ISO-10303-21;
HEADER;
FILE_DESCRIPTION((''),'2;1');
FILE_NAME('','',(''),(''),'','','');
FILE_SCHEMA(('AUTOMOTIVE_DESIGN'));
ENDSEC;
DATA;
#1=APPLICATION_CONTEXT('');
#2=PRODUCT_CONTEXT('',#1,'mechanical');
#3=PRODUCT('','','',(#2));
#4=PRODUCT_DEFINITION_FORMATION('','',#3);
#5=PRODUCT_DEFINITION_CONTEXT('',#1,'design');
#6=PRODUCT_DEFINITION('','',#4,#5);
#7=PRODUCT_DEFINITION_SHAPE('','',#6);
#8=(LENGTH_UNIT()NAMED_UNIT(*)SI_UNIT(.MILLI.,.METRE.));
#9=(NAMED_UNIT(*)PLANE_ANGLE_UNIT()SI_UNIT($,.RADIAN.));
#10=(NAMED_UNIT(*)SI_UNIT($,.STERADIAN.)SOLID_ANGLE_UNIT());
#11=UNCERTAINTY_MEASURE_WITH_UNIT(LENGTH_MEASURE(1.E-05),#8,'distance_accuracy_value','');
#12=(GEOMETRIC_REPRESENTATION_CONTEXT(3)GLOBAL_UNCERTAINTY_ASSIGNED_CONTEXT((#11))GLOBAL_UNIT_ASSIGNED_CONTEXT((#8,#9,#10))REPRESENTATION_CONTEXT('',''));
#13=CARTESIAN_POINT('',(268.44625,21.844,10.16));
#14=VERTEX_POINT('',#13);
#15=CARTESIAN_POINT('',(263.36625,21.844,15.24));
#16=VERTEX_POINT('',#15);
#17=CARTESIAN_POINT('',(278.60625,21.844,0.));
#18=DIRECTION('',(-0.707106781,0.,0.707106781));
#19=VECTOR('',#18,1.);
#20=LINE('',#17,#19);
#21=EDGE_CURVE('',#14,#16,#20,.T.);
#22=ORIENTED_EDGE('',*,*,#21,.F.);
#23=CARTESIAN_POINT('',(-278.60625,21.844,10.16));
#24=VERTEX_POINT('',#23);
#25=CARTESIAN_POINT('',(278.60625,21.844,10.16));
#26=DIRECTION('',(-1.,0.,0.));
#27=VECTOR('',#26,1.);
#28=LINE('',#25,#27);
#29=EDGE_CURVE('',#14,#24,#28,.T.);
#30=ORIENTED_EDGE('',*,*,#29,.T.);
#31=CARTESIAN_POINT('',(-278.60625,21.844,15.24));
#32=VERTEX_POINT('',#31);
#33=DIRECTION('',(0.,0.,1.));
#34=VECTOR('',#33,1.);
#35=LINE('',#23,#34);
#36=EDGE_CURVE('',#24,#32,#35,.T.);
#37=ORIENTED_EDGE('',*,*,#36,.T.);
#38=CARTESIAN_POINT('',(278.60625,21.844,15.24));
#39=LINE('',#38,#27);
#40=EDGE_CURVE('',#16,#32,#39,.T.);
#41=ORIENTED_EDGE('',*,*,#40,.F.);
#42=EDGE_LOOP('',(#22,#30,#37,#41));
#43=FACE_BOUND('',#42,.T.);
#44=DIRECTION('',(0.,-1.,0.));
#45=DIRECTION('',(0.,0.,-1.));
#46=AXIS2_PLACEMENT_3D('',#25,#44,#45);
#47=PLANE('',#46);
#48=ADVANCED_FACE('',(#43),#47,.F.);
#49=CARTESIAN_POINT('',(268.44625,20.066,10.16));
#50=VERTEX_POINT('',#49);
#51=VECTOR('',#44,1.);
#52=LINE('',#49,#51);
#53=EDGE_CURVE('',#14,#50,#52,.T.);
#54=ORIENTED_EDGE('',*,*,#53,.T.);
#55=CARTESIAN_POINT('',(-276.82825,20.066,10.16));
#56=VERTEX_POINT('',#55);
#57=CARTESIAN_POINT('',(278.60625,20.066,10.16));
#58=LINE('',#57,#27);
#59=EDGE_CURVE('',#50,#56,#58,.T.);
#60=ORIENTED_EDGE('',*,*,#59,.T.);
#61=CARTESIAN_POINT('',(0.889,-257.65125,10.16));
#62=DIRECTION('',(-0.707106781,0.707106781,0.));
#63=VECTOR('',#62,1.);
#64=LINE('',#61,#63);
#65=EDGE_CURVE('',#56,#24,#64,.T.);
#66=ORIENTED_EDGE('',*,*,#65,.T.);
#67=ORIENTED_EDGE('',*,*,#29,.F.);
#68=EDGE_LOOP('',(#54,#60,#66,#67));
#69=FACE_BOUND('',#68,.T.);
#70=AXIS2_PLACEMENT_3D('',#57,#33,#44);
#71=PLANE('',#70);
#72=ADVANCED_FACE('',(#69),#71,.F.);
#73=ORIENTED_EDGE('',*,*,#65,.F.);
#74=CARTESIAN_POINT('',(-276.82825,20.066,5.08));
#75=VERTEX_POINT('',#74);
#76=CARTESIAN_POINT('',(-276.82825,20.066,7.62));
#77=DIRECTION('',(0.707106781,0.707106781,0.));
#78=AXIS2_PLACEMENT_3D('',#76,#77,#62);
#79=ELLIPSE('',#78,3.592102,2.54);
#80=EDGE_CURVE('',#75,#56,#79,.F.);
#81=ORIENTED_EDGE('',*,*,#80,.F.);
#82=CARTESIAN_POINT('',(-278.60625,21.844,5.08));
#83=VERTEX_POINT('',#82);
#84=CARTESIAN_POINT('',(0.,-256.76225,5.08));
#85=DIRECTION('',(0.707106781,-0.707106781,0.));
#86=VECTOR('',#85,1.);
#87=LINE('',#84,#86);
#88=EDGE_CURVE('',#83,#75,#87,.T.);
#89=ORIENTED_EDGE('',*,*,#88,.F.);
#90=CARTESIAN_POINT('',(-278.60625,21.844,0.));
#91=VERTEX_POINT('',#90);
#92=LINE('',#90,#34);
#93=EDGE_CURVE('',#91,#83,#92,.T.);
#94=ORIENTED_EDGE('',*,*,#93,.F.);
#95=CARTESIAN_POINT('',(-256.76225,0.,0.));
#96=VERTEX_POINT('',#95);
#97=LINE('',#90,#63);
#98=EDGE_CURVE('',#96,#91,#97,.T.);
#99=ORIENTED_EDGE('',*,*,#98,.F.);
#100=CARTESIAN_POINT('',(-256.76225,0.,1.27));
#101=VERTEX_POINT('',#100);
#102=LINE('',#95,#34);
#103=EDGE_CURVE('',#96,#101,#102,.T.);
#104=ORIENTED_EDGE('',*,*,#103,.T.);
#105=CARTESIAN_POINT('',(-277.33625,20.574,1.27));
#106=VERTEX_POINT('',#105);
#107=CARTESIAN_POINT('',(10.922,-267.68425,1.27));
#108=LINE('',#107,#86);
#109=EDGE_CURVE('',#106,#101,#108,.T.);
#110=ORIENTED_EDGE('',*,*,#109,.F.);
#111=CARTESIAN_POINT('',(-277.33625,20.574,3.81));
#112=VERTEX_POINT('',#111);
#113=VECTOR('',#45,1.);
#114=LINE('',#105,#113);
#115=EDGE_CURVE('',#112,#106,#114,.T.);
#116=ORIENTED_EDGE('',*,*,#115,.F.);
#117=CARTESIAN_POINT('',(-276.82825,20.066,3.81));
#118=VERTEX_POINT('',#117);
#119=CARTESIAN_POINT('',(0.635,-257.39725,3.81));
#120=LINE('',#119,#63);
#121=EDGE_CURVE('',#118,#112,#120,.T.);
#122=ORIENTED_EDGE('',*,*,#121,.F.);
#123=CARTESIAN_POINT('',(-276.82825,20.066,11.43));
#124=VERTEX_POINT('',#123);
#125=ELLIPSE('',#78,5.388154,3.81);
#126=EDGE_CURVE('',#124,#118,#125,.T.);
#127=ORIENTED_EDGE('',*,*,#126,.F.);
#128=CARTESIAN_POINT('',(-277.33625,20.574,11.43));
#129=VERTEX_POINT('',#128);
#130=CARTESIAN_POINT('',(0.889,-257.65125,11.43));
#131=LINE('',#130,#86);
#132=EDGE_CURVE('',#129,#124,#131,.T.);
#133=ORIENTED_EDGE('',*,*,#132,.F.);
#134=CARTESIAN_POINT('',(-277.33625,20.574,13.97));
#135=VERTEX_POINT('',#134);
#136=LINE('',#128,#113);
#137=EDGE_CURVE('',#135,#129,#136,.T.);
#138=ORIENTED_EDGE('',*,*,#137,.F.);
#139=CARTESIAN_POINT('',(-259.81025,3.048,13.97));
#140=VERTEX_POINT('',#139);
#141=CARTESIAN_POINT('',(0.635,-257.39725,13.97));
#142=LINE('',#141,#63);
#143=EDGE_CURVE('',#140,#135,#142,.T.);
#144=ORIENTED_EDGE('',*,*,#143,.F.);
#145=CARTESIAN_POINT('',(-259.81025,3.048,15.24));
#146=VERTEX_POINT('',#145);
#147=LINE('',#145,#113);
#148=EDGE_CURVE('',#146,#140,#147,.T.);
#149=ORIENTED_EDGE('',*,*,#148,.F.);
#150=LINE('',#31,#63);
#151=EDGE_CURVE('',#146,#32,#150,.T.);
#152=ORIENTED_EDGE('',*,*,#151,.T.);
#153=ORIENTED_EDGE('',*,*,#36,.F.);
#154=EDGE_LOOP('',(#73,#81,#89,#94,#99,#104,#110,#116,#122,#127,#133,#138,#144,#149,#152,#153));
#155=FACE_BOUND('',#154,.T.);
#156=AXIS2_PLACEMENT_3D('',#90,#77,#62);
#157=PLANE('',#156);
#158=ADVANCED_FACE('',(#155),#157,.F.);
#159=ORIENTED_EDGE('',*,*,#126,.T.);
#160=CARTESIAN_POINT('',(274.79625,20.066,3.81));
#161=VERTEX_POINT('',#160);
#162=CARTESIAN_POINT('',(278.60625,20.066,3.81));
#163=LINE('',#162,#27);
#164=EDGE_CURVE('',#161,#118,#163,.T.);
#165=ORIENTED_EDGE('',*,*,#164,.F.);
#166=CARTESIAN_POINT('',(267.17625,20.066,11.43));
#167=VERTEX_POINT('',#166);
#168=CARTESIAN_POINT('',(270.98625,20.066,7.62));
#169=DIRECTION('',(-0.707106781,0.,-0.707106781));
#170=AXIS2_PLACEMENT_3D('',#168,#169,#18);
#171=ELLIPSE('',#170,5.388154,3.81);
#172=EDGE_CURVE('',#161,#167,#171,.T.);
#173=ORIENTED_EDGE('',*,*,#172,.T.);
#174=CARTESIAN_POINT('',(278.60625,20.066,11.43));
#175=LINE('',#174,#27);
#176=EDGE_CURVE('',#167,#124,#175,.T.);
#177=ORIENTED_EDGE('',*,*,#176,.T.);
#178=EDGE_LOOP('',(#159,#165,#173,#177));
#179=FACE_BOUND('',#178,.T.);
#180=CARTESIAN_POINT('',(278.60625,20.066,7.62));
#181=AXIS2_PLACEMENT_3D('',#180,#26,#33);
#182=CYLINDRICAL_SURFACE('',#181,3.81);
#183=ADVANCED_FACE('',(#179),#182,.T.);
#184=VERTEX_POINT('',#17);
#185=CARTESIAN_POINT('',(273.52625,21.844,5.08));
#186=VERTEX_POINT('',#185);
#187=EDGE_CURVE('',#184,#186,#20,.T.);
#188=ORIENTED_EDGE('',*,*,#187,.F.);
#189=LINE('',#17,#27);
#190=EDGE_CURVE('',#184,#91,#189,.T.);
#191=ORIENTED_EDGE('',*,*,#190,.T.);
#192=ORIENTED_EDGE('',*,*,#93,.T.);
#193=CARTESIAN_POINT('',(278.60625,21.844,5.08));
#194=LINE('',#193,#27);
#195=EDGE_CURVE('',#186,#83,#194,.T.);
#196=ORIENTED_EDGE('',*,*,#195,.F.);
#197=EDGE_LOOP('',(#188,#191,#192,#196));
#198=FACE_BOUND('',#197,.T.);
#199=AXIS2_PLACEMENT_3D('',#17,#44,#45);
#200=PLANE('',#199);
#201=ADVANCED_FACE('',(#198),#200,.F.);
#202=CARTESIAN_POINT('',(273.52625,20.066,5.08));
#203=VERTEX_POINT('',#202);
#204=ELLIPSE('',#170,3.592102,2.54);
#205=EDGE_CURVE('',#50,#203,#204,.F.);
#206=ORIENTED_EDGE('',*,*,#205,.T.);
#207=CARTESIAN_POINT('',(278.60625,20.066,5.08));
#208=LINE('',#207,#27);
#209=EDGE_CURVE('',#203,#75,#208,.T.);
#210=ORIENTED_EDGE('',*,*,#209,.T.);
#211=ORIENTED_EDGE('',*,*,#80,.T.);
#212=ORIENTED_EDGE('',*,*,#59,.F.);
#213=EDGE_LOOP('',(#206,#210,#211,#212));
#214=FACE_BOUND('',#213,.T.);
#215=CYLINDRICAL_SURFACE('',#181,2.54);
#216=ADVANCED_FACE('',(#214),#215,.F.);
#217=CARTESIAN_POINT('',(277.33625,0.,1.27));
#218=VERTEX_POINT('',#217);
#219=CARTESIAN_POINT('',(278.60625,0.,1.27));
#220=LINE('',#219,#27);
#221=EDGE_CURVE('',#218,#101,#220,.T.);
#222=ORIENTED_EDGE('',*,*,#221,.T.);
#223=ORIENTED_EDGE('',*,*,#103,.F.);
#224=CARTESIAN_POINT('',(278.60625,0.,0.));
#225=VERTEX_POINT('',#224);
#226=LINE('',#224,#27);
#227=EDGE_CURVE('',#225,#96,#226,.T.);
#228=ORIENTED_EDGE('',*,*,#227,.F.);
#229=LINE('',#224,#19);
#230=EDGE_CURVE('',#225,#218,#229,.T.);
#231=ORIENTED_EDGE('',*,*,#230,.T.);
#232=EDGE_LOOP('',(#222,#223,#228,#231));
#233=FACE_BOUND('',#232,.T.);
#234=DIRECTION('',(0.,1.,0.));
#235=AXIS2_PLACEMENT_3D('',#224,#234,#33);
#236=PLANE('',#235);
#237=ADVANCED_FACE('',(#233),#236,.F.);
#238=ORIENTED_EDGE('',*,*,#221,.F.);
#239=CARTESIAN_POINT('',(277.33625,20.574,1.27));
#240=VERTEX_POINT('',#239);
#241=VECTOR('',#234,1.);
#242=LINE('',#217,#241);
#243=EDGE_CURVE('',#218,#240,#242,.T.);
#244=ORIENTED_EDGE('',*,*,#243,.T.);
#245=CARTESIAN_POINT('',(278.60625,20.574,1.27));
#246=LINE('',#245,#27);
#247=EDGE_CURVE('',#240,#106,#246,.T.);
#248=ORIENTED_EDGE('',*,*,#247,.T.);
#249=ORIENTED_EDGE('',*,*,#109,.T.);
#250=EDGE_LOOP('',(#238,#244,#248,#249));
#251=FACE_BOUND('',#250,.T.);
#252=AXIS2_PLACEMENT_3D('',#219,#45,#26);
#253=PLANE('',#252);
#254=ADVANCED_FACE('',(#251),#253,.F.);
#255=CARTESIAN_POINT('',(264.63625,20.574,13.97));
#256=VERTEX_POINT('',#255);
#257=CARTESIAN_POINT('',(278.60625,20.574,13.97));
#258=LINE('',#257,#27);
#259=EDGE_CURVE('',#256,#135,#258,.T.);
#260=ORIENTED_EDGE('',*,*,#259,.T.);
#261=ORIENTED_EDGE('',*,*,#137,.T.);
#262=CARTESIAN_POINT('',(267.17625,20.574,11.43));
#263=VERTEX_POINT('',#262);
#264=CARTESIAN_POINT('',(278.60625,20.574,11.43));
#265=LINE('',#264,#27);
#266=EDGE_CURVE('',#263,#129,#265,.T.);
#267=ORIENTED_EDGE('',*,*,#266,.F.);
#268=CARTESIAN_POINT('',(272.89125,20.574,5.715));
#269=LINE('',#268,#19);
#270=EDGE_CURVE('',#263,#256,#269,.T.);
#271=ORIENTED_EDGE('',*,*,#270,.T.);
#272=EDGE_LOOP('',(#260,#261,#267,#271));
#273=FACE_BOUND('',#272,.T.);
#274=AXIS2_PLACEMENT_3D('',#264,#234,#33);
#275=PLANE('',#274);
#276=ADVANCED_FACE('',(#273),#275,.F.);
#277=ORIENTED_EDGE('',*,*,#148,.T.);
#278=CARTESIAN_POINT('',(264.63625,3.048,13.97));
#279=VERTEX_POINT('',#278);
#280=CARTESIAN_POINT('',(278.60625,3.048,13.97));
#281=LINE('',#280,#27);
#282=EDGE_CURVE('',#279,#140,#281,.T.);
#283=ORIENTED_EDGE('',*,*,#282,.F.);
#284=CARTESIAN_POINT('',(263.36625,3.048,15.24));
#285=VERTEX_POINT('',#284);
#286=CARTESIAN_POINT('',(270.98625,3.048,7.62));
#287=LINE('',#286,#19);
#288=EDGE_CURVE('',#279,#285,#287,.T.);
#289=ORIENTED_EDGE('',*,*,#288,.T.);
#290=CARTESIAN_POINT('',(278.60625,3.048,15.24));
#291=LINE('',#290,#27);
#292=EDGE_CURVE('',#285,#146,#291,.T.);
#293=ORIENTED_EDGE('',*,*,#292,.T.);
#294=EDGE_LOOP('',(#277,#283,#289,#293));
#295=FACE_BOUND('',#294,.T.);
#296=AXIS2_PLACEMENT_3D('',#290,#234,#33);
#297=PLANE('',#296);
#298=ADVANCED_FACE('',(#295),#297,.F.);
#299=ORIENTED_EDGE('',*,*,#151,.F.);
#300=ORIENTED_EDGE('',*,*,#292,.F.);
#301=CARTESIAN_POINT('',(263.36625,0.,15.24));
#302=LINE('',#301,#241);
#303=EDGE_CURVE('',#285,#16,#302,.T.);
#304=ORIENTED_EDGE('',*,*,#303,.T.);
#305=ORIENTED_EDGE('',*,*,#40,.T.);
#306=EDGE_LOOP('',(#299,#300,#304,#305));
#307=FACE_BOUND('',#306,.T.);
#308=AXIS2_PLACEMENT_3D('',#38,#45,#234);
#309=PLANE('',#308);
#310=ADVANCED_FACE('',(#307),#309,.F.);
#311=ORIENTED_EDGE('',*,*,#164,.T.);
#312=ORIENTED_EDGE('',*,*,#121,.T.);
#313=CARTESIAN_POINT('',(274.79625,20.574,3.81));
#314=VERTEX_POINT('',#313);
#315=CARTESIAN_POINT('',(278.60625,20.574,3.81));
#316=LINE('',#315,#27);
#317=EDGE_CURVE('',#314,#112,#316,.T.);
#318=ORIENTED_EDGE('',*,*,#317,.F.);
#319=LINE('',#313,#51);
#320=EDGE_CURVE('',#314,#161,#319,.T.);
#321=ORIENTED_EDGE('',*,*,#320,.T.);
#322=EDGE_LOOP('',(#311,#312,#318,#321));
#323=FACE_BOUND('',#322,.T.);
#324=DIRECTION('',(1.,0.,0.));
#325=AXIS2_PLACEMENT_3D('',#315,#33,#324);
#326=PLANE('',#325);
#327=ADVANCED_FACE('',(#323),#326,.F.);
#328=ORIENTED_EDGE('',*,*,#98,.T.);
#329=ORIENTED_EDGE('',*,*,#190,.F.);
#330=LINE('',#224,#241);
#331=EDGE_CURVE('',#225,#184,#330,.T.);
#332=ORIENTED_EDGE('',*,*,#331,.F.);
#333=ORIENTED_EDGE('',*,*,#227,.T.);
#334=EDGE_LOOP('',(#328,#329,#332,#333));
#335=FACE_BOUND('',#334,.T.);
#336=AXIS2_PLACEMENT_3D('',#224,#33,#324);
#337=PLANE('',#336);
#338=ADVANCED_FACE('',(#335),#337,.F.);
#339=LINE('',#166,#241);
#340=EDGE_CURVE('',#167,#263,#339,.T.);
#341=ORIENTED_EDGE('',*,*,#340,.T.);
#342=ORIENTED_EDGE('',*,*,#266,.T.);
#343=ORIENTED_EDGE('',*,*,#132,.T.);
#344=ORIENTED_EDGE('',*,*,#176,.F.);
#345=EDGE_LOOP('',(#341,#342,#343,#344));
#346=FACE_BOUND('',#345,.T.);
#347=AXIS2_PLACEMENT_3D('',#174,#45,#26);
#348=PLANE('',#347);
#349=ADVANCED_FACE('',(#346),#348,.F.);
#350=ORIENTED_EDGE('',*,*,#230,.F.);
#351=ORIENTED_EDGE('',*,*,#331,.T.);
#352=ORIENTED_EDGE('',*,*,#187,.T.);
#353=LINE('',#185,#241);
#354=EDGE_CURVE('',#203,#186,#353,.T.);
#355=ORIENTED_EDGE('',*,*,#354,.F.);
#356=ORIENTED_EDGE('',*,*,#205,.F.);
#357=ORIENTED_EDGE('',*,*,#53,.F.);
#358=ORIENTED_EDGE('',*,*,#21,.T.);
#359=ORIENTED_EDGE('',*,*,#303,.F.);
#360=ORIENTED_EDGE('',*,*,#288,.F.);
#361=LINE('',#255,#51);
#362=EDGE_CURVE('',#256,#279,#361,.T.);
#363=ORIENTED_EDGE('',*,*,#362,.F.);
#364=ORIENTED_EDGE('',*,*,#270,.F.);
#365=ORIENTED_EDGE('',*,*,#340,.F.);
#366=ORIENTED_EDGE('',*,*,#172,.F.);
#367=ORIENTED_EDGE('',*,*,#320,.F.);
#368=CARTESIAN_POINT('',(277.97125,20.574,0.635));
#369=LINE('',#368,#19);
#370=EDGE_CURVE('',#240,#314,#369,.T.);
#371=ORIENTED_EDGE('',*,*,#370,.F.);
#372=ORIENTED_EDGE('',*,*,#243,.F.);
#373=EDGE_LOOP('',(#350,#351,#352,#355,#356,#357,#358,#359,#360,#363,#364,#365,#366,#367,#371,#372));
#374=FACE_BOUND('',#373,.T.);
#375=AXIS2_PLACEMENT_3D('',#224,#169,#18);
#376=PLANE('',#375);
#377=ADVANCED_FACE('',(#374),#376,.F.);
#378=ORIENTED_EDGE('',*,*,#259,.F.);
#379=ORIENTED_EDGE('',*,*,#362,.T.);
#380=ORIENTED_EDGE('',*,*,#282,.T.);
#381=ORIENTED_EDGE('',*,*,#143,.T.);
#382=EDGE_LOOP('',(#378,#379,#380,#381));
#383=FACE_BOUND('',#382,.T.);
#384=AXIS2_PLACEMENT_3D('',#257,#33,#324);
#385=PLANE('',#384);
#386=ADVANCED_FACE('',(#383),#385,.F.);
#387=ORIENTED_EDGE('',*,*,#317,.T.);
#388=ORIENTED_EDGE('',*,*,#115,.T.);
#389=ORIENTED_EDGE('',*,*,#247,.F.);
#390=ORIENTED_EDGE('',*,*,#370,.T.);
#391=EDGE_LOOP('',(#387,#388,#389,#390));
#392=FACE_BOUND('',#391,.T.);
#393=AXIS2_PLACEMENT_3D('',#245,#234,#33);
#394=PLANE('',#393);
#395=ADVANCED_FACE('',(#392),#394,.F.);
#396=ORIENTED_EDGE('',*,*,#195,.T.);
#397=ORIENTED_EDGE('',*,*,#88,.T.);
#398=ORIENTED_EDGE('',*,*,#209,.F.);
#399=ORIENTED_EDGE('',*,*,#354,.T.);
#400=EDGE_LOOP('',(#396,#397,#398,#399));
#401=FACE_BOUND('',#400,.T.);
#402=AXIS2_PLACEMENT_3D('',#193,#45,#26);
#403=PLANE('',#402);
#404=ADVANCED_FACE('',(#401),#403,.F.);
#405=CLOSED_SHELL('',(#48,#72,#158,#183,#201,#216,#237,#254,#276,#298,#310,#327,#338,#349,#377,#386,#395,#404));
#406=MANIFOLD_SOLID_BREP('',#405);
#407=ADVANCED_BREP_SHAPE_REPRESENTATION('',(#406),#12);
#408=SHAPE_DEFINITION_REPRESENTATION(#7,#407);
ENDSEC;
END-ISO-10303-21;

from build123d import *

# Parameters (mm, degrees)
BOSS_EXTRUDE1_DEPTH         = 278.60625
CUT_FRONT_LEFT_BOTTOM_DEPTH = 16.24
CUT_TOP_RIGHT_FRONT_DEPTH   = 22.844


with BuildPart() as part:
    # Sketch1 → Boss-Extrude1 (new body, symmetric)
    with BuildSketch(Plane(origin=(0, 0, 0), x_dir=(0, 0, -1), z_dir=(1, 0, 0))):
        with BuildLine():
            Line((0, 0), (0, 21.844))
            Line((0, 21.844), (-5.08, 21.844))
            Line((-5.08, 21.844), (-5.08, 20.066))
            ThreePointArc((-5.08, 20.066), (-7.62, 17.526), (-10.16, 20.066))
            Line((-10.16, 20.066), (-10.16, 21.844))
            Line((-10.16, 21.844), (-15.24, 21.844))
            Line((-15.24, 21.844), (-15.24, 3.048))
            Line((-15.24, 3.048), (-13.97, 3.048))
            Line((-13.97, 3.048), (-13.97, 20.574))
            Line((-13.97, 20.574), (-11.43, 20.574))
            Line((-11.43, 20.574), (-11.43, 20.066))
            ThreePointArc((-11.43, 20.066), (-7.62, 16.256), (-3.81, 20.066))
            Line((-3.81, 20.066), (-3.81, 20.574))
            Line((-3.81, 20.574), (-1.27, 20.574))
            Line((-1.27, 20.574), (-1.27, 0))
            Line((-1.27, 0), (0, 0))
        make_face()
    extrude(amount=BOSS_EXTRUDE1_DEPTH, both=True)

    # Sketch7 → Cut-Front-Left-Bottom (cut, through all)
    with BuildSketch(Plane.XY.offset(15.24)):
        Polygon((-278.60625, 21.844), (-256.76225, 0), (-278.60625, 0), align=None)
    extrude(amount=-CUT_FRONT_LEFT_BOTTOM_DEPTH, mode=Mode.SUBTRACT)

    # Sketch2 → Cut-Top-Right-Front (cut, through all)
    with BuildSketch(Plane(origin=(0, 21.844, 0), x_dir=(1, 0, 0), z_dir=(0, 1, 0))):
        Polygon((278.60625, 0), (263.36625, -15.24), (278.60625, -15.24), align=None)
    extrude(amount=-CUT_TOP_RIGHT_FRONT_DEPTH, mode=Mode.SUBTRACT)


solid = part.part
